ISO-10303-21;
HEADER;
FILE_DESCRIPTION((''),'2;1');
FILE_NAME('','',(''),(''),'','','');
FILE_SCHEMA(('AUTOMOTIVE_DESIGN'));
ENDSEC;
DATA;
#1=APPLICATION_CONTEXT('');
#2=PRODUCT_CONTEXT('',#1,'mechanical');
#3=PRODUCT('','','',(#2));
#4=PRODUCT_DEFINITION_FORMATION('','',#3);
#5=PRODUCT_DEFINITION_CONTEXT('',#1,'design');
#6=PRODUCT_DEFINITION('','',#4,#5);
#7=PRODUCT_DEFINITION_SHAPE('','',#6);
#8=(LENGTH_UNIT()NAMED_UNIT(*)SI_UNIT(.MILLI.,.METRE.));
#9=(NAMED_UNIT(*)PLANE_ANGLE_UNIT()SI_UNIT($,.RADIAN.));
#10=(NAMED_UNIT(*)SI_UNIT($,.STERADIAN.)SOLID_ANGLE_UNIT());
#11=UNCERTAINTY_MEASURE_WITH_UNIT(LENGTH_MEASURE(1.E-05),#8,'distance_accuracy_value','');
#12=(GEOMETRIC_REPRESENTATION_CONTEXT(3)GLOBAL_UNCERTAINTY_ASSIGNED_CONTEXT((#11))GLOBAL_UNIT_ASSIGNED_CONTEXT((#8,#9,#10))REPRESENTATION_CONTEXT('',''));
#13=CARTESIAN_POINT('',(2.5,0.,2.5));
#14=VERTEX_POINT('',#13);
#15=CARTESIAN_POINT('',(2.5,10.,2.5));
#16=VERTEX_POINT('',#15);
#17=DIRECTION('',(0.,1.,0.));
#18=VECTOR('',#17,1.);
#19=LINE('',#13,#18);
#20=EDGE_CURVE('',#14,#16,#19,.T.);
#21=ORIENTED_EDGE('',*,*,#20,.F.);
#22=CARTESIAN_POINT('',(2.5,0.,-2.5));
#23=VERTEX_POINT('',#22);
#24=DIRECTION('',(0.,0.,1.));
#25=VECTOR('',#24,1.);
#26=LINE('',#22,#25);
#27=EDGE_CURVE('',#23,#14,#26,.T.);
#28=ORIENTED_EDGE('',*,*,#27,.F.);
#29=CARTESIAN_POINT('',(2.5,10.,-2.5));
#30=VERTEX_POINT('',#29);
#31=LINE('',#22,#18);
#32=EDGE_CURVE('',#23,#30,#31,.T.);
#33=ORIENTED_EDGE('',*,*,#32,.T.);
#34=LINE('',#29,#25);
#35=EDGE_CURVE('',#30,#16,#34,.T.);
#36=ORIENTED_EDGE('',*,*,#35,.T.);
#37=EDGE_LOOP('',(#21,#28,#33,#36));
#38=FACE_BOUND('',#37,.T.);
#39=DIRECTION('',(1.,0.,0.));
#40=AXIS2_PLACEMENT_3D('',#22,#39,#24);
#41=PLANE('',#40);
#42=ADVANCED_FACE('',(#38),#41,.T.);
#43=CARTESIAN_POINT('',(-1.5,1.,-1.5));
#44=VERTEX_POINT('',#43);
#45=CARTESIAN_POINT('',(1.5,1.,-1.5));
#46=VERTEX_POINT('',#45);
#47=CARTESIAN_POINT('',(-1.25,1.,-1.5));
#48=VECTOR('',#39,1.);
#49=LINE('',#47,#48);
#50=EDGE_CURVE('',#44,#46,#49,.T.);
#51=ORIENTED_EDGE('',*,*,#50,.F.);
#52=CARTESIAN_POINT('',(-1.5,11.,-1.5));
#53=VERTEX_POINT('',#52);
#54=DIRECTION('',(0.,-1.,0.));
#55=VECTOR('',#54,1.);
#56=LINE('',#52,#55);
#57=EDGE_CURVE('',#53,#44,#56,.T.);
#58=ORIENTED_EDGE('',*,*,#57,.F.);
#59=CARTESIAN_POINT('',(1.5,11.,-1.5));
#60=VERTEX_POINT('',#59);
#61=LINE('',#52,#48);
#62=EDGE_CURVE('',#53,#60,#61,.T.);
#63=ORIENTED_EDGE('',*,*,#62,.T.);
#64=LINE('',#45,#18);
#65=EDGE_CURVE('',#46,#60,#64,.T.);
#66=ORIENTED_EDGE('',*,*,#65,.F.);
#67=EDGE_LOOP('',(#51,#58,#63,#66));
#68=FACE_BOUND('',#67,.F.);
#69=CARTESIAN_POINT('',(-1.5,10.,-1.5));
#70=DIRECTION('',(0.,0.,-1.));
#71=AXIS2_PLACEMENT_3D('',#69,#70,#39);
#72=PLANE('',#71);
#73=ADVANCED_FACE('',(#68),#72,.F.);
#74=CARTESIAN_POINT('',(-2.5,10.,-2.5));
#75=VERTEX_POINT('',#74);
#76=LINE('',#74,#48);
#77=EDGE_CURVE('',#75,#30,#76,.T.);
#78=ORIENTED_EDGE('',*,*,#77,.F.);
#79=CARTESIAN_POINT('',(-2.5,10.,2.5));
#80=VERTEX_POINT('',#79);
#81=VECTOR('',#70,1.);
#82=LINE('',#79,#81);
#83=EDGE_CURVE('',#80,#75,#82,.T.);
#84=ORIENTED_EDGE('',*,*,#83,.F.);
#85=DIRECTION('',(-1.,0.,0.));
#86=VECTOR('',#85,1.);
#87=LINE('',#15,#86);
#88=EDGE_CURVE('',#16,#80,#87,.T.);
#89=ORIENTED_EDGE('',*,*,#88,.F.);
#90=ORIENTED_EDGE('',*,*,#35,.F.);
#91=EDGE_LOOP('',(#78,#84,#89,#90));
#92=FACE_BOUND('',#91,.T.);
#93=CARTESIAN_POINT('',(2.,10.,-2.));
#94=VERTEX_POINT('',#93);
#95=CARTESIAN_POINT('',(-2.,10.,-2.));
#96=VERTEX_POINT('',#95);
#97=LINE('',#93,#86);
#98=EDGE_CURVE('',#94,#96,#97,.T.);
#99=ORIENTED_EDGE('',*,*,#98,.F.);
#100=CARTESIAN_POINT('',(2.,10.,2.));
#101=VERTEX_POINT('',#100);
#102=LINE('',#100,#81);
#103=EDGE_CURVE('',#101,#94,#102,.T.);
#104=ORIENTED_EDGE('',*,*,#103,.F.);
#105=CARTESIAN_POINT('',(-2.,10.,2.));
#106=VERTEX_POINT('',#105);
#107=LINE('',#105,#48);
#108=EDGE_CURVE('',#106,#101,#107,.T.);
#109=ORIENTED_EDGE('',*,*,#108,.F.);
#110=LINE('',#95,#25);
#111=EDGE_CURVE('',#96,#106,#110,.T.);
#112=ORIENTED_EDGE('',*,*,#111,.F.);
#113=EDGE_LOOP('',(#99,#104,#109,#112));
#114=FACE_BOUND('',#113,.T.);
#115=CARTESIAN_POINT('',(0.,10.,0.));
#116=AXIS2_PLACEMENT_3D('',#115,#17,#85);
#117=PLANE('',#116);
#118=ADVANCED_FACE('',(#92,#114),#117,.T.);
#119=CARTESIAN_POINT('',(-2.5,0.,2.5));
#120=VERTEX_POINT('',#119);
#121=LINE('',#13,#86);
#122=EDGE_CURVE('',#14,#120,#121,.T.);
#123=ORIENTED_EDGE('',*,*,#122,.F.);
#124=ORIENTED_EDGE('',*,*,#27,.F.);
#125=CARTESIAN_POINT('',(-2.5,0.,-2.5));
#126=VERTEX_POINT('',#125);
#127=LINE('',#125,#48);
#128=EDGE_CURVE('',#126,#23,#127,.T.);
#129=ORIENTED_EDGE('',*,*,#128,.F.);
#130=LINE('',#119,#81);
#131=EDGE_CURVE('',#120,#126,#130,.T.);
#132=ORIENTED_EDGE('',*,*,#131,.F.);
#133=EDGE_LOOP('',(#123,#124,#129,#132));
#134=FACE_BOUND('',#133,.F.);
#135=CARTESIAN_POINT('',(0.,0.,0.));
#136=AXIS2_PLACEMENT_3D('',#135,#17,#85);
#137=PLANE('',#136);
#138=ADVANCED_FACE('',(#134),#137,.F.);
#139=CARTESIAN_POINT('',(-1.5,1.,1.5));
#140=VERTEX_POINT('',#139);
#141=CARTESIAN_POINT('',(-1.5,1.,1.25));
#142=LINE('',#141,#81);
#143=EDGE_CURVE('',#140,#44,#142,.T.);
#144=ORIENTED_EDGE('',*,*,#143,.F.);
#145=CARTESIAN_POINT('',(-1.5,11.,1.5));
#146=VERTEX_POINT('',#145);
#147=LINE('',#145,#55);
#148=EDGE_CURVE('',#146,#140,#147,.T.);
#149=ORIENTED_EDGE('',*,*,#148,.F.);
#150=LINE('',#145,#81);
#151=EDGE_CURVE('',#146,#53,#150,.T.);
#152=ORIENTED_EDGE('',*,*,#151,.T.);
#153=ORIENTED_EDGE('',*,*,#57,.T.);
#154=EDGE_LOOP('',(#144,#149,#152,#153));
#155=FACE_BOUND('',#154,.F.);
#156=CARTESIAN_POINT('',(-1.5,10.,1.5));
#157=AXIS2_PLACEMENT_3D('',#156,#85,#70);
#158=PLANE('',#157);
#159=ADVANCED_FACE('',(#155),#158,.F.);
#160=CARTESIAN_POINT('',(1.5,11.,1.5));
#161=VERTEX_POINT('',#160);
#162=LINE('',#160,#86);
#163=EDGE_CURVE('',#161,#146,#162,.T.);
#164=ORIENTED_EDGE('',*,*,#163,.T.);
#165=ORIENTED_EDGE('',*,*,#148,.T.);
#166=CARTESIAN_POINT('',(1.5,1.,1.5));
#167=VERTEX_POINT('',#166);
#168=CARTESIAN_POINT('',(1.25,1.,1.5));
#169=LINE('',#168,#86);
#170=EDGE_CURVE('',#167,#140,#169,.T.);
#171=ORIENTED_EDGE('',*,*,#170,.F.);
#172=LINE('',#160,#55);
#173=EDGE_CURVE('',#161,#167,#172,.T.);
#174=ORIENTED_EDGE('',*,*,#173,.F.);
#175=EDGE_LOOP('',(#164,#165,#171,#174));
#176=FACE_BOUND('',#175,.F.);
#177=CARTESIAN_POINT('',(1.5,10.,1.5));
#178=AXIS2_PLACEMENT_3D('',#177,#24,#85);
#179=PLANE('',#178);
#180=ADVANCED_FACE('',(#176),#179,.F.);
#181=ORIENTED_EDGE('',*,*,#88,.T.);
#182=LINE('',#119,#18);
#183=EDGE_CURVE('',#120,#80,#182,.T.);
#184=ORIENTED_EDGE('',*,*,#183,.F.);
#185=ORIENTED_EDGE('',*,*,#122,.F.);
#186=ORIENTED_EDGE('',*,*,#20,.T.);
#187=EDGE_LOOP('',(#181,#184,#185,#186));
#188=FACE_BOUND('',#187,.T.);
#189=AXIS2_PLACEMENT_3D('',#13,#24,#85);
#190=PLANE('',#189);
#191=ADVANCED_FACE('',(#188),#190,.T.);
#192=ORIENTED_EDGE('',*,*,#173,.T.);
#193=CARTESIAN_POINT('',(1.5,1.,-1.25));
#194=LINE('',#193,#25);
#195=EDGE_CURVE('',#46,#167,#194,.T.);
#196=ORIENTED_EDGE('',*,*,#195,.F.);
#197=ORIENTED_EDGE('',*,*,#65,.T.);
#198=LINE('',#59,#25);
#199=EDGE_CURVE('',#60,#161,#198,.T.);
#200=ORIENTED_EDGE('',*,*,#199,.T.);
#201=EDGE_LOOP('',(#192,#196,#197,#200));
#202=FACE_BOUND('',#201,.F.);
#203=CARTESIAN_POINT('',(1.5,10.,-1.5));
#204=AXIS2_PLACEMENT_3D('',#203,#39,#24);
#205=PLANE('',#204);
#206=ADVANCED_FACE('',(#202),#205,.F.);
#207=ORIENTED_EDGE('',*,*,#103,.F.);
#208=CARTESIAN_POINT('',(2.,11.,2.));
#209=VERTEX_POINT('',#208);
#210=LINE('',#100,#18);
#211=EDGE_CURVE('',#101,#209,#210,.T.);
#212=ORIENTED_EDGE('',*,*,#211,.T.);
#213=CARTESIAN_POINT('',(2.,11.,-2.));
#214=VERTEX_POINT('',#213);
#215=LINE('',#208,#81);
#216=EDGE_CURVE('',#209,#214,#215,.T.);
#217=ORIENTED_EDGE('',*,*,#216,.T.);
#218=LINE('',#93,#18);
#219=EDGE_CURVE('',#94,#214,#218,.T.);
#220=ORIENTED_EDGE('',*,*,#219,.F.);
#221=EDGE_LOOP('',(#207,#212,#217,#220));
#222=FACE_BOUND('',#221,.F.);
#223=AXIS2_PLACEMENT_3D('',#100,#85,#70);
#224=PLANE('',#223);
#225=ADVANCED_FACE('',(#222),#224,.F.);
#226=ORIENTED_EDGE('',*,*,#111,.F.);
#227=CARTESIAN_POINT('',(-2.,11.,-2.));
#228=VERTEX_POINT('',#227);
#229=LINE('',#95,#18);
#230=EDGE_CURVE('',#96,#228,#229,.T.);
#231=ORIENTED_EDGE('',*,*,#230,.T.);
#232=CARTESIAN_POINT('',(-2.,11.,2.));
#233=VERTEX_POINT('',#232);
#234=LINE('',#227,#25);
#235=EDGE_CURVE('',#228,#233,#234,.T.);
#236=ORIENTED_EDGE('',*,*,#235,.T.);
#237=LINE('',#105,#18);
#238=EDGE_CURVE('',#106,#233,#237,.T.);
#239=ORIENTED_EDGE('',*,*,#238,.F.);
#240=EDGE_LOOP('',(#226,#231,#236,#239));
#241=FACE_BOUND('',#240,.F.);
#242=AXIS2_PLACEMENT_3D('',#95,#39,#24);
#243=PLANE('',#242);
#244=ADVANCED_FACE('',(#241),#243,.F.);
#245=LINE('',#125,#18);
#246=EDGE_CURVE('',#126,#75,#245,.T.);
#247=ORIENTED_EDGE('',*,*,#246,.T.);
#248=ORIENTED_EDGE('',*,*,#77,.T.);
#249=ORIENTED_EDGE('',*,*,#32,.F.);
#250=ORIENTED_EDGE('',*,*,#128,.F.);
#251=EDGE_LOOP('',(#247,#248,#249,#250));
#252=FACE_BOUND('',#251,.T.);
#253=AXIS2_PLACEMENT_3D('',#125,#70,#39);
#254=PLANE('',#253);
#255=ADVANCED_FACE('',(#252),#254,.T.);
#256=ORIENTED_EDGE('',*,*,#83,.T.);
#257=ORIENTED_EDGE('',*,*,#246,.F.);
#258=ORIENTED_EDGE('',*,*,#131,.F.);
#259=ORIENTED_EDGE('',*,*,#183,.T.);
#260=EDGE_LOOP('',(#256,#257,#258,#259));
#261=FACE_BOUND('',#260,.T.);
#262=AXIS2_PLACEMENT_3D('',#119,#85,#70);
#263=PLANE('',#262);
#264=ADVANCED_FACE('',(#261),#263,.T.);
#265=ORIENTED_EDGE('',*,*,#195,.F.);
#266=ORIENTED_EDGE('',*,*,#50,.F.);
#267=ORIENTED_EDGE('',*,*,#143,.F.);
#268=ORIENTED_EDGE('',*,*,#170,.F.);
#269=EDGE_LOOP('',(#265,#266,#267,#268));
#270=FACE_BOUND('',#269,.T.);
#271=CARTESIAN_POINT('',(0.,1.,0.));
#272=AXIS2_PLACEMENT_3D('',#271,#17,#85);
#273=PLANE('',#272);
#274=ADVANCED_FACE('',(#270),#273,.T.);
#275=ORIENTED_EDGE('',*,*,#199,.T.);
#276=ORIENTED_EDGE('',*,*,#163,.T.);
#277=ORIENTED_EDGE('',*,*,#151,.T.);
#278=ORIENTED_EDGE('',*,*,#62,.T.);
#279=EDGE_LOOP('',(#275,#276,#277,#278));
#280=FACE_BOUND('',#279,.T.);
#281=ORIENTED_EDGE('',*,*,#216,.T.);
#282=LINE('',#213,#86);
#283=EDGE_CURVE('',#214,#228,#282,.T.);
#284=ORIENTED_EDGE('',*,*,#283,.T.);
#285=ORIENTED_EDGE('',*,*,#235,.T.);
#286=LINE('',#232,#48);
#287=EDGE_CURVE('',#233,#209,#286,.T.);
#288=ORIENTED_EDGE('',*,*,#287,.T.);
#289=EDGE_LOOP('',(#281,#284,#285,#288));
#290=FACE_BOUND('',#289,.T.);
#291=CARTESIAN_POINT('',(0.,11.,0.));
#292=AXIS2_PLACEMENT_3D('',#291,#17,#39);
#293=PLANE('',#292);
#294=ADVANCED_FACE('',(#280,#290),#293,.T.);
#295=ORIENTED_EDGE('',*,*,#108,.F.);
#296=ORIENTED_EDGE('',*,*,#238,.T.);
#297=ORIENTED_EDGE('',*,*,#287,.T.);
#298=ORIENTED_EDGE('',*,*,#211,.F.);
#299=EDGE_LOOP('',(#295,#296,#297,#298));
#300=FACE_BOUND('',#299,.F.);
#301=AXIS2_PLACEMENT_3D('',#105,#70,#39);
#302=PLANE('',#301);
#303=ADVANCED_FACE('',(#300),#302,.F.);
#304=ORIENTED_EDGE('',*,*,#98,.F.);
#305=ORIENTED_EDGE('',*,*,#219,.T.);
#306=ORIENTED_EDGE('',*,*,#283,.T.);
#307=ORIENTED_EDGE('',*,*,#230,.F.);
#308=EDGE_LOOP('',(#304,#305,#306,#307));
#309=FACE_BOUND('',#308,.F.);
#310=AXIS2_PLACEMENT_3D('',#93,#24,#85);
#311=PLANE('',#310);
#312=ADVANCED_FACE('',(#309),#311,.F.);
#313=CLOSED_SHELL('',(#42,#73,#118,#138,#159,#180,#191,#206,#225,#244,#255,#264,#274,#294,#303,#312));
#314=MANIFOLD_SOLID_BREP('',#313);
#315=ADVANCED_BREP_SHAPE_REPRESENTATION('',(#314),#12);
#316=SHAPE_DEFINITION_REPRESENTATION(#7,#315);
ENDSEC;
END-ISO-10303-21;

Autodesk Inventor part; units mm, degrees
ref_plane "YZ Plane" through (0, 0, 0) normal (1, 0, 0) x (0, 1, 0)
ref_plane "XZ Plane" through (0, 0, 0) normal (0, 1, 0) x (-1, 0, 0)
ref_plane "XY Plane" through (0, 0, 0) normal (0, 0, 1) x (1, 0, 0)
sketch "Sketch1" plane through (0, 0, 0) normal (0, 1, 0) x (-1, 0, 0)
  line L0 (-2.5, 2.5) -> (2.5, 2.5)
  line L1 (2.5, 2.5) -> (2.5, -2.5)
  line L2 (2.5, -2.5) -> (-2.5, -2.5)
  line L3 (-2.5, -2.5) -> (-2.5, 2.5)
  line L4 (-2.5, 2.5) -> (2.5, -2.5) construction
  line L5 (2.5, 2.5) -> (-2.5, -2.5) construction
  point P0 (0, 0)
  dimension "d0" = 5
  dimension "d1" = 5
extrude "Extrusion1" add sketch "Sketch1" along normal blind 10
shell "Shell1" thickness 1 removed faces 1 at (-0.8333, 10, -0.8333)
sketch "Sketch2" plane through (0, 10, 0) normal (0, 1, 0) x (1, 0, 0)
  line L0 (1.5, 1.5) -> (1.5, -1.5) projected
  line L1 (1.5, -1.5) -> (-1.5, -1.5) projected
  line L2 (-1.5, -1.5) -> (-1.5, 1.5) projected
  line L3 (-1.5, 1.5) -> (1.5, 1.5) projected
  line L4 (2.5, 2.5) -> (-2.5, 2.5) projected
  line L5 (-2.5, 2.5) -> (-2.5, -2.5) projected
  line L6 (-2.5, -2.5) -> (2.5, -2.5) projected
  line L7 (2.5, -2.5) -> (2.5, 2.5) projected
  line L8 (-2, 2) -> (-2, -2)
  line L9 (-2, -2) -> (2, -2)
  line L10 (2, -2) -> (2, 2)
  line L11 (2, 2) -> (-2, 2)
  point P0 (0, 0)
  dimension "d5" = 0.5
extrude "Extrusion2" add sketch "Sketch2" along normal blind 1 contours L11 L10 L9 L8
properties part number "snapfit_v02"
